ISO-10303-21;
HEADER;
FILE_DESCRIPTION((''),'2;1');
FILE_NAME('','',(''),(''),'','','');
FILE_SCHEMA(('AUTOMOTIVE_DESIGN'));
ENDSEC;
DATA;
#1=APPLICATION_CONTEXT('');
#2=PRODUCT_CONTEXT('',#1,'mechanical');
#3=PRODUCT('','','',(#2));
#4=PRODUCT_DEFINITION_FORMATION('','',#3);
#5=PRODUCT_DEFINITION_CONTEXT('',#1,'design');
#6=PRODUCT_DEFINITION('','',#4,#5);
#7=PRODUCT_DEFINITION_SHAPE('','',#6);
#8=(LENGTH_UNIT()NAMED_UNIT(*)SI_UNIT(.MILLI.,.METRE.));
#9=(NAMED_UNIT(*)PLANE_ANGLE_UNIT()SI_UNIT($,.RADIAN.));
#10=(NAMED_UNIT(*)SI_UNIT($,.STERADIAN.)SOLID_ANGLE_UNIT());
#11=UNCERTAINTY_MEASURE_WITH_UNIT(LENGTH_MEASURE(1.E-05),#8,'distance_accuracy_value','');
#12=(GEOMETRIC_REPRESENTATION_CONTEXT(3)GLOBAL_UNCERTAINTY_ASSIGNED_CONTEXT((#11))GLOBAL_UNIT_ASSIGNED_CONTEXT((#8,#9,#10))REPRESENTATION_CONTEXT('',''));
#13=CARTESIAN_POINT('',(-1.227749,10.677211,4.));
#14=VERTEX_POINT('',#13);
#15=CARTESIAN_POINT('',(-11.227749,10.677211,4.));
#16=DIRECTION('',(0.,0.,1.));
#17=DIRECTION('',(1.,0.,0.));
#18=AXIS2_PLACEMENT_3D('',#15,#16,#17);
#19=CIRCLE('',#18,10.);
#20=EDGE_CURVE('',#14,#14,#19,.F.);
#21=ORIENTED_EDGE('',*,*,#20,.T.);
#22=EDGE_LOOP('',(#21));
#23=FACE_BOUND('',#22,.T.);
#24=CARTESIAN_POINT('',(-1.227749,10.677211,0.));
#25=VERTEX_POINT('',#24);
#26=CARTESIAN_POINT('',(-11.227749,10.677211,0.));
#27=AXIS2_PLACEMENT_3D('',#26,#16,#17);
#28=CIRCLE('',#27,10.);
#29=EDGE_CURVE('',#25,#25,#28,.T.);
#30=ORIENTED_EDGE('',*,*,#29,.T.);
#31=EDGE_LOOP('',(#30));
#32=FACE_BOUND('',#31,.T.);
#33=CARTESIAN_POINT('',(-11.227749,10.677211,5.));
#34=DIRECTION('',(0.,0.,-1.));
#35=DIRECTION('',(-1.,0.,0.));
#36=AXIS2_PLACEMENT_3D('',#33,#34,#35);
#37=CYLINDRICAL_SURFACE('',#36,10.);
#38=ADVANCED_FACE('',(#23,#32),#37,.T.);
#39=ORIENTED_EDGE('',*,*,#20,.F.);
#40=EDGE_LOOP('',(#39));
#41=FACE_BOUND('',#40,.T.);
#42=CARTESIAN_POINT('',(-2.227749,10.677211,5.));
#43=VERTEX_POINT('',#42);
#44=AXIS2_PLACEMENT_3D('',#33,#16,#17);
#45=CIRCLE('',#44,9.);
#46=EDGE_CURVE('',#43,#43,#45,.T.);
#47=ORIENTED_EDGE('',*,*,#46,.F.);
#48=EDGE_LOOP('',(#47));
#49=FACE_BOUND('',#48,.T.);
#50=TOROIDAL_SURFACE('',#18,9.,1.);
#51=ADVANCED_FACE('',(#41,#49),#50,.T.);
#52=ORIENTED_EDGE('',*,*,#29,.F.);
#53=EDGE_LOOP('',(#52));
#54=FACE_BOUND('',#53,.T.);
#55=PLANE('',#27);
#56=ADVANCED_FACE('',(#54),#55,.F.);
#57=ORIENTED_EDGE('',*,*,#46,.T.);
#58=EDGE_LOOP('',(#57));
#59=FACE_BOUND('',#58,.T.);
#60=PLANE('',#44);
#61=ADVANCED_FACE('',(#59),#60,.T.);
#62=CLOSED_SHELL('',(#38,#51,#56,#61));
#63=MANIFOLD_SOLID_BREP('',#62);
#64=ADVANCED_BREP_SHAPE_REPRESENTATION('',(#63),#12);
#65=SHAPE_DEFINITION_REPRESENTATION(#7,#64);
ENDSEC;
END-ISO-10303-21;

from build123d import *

# Parameters (mm, degrees)
SKETCH1_R           = 10
BOSS_EXTRUDE1_DEPTH = 5
FILLET1_R           = 1


with BuildPart() as part:
    # Sketch1 → Boss-Extrude1 (new body)
    with BuildSketch(Plane.XY):
        with Locations((-11.227748771, 10.677211269)):
            Circle(SKETCH1_R)
    extrude(amount=BOSS_EXTRUDE1_DEPTH)

    # Fillet1
    fillet1_edges = [part.edges().sort_by_distance(p)[0] for p in [
        (-21.227748771, 10.677211269, 5),
    ]]
    fillet(fillet1_edges, radius=FILLET1_R)


solid = part.part
